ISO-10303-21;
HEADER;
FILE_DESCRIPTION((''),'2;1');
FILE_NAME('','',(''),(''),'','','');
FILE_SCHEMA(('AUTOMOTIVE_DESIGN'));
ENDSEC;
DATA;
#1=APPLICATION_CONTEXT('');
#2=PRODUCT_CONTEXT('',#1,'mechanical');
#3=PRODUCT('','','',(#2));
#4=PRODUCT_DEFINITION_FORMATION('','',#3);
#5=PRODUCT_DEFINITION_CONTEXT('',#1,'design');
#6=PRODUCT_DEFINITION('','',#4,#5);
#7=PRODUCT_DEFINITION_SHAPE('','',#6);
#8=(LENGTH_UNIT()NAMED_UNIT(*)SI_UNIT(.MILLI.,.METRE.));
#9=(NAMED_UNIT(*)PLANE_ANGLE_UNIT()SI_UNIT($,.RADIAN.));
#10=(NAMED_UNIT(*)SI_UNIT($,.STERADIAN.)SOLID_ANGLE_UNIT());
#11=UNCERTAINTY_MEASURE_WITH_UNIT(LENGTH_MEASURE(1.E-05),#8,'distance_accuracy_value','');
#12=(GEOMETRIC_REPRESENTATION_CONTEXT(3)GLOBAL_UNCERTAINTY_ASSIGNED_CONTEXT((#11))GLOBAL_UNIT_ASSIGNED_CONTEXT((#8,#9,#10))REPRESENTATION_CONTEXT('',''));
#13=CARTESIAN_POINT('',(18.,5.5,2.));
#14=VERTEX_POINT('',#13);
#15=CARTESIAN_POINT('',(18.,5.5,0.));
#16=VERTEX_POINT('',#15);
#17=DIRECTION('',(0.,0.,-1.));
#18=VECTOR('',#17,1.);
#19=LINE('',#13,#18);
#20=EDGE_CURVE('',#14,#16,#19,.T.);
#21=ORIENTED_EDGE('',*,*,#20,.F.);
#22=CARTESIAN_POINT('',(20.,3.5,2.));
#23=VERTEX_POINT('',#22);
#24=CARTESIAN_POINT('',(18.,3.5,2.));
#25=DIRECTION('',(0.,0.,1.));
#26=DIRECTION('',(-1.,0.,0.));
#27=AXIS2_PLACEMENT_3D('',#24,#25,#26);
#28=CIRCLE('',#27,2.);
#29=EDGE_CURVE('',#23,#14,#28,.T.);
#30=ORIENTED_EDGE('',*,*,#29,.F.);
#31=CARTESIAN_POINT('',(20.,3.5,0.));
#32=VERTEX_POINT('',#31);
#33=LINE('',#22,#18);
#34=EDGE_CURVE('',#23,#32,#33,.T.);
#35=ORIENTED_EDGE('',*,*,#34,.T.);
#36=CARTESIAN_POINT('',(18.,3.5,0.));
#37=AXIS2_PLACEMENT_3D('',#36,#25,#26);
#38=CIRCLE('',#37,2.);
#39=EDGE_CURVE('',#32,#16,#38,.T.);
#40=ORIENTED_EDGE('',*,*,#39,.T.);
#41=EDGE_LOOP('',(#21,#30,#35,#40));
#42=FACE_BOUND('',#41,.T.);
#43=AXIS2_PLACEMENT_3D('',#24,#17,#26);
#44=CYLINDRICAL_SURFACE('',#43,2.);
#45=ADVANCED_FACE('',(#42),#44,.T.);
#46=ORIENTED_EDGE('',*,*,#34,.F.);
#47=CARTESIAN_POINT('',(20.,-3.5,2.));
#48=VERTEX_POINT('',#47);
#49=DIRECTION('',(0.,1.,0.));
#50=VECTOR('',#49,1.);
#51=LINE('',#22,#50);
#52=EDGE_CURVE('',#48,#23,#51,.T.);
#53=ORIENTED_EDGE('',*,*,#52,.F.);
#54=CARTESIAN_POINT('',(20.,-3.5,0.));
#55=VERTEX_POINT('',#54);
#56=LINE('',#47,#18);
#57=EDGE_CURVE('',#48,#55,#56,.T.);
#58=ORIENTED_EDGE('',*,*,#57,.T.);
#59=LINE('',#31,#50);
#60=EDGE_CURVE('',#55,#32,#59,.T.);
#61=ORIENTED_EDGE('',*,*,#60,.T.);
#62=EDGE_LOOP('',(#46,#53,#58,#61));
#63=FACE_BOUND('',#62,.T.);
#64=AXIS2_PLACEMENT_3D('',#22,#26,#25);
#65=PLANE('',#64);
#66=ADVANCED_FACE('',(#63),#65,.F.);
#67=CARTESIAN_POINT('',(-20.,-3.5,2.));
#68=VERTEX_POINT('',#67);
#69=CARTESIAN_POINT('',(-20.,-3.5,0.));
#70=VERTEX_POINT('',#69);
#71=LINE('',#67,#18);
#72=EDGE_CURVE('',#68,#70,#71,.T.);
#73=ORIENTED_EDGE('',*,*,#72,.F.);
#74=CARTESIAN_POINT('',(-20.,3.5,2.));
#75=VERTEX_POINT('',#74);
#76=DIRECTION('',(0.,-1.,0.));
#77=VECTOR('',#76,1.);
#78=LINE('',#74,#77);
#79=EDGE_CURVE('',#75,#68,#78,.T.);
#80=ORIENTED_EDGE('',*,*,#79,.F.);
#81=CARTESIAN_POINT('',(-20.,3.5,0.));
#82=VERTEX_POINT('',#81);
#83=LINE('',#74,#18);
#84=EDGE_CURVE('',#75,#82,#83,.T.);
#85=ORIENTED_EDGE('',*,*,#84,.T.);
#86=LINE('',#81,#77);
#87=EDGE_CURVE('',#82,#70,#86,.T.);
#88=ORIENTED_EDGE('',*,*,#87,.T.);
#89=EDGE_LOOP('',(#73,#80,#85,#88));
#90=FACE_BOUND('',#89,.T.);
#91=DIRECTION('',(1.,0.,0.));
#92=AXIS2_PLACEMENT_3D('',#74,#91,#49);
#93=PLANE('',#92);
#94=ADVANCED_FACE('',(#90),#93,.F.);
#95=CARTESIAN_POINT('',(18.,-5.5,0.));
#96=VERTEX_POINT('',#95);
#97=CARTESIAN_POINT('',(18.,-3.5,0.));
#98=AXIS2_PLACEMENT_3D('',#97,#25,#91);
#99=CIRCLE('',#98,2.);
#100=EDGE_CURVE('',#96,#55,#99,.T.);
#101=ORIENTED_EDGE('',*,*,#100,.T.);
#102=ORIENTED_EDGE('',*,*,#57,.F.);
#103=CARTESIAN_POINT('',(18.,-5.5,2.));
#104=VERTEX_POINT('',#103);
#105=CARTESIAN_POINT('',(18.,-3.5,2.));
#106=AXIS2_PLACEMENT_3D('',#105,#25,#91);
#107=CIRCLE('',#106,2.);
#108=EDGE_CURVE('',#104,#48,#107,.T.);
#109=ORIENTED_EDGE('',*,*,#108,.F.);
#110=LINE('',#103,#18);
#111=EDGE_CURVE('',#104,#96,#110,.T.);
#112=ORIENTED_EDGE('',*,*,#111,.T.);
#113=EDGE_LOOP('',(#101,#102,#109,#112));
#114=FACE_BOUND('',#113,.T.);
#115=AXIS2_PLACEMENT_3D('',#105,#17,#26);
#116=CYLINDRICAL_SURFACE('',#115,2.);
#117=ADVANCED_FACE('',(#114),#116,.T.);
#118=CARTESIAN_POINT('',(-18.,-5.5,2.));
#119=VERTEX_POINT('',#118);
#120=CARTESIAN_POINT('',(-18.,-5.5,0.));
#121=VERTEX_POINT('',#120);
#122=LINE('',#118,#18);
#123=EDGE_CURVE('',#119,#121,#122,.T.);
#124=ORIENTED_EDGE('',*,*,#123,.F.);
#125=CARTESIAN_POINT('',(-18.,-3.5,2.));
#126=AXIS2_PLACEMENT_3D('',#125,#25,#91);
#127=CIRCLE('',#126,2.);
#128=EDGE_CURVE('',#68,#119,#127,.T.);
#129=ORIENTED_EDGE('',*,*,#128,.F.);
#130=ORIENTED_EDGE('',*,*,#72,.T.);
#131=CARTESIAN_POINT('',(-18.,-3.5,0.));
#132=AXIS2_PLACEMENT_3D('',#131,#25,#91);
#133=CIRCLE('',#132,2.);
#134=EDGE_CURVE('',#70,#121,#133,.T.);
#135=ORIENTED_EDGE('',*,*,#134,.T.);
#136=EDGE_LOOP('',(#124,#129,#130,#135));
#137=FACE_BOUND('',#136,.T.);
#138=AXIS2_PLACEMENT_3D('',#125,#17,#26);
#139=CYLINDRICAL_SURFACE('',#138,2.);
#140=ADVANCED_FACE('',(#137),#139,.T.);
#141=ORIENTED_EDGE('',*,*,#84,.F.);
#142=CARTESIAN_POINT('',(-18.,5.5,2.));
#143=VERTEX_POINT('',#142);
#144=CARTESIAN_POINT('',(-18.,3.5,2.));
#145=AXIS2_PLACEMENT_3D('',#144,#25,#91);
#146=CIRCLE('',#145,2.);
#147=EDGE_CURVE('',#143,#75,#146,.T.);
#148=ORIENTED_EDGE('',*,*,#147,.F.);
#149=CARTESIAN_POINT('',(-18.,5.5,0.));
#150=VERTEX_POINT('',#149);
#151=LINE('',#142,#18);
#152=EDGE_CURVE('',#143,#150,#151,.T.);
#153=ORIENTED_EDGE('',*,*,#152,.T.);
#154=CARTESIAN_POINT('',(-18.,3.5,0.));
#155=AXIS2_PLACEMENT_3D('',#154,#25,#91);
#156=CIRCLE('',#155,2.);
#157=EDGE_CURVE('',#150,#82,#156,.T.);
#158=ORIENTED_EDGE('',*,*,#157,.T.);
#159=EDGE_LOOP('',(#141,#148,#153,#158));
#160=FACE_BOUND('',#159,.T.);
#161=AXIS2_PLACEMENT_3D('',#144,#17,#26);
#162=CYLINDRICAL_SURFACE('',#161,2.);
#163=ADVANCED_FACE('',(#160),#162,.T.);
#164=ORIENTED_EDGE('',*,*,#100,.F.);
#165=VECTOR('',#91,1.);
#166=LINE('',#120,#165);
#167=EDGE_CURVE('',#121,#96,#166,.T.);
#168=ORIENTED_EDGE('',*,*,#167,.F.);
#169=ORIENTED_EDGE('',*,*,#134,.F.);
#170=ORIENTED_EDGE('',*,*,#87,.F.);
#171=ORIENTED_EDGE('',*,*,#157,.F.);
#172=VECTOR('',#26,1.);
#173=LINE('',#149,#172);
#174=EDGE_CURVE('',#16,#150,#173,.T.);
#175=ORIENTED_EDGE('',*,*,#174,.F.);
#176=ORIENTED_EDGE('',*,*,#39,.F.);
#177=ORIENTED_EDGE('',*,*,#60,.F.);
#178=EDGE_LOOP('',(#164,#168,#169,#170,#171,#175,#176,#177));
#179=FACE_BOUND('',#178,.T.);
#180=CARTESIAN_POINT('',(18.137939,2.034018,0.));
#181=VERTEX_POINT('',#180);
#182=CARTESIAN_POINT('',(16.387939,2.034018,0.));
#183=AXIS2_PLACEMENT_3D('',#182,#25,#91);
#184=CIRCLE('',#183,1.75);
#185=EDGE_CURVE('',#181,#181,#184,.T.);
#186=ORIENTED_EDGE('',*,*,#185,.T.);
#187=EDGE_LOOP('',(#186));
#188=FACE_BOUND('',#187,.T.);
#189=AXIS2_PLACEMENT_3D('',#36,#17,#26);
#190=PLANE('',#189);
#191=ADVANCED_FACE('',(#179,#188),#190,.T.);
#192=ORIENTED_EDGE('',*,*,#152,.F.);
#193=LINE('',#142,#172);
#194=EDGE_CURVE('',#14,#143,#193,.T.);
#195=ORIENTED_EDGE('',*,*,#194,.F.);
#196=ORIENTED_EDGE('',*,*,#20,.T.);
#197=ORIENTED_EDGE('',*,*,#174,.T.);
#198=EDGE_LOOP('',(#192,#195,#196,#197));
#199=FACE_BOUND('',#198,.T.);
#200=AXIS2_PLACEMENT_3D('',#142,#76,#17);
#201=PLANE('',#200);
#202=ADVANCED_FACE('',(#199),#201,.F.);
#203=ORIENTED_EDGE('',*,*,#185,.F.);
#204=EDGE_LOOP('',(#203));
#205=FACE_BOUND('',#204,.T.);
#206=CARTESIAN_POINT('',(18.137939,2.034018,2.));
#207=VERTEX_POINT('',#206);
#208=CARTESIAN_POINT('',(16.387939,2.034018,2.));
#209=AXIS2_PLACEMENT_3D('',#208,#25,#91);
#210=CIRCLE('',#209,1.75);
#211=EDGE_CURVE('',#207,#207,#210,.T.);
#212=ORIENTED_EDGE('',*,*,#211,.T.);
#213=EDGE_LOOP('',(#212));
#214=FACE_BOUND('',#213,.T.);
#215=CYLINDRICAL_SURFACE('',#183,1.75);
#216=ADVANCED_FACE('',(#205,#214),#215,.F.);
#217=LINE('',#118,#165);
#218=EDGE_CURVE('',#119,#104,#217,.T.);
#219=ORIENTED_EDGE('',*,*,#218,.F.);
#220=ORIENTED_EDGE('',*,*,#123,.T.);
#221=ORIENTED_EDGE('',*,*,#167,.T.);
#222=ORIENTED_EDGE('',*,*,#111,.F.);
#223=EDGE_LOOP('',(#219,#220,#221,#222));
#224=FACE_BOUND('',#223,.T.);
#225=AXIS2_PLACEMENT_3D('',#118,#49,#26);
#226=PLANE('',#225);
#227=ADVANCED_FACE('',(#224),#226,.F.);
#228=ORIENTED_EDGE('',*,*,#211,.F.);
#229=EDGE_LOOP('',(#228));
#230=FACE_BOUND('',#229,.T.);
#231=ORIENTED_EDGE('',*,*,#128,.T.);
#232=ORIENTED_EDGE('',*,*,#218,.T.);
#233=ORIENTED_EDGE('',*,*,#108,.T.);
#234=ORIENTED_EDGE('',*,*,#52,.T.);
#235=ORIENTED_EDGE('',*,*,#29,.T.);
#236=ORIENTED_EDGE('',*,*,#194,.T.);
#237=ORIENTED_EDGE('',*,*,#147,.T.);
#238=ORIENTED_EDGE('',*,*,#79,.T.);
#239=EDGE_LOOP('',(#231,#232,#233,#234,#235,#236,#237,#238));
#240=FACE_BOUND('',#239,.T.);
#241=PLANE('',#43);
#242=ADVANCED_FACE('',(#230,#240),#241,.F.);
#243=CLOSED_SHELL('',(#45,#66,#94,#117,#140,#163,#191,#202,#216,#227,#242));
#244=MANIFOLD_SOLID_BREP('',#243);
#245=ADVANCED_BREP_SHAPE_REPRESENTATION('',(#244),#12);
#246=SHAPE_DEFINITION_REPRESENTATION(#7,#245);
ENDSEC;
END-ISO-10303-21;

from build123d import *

# Parameters (mm, degrees)
BOSS_EXTRUDE2_DEPTH = 2
SKETCH3_R           = 1.75
CUT_EXTRUDE1_DEPTH  = 21.838665984


with BuildPart() as part:
    # Sketch2 → Boss-Extrude2 (new body)
    with BuildSketch(Plane.XY):
        with BuildLine():
            Line((-18, 5.5), (18, 5.5))
            ThreePointArc((18, 5.5), (19.414213562, 4.914213562), (20, 3.5))
            Line((20, 3.5), (20, -3.5))
            ThreePointArc((20, -3.5), (19.414213562, -4.914213562), (18, -5.5))
            Line((18, -5.5), (-18, -5.5))
            ThreePointArc((-18, -5.5), (-19.414213562, -4.914213562), (-20, -3.5))
            Line((-20, -3.5), (-20, 3.5))
            ThreePointArc((-20, 3.5), (-19.414213562, 4.914213562), (-18, 5.5))
        make_face()
    extrude(amount=BOSS_EXTRUDE2_DEPTH)

    # Sketch3 → Cut-Extrude1 (cut, through all)
    with BuildSketch(Plane.XY.offset(2)):
        with Locations((16.387938716, 2.034017624)):
            Circle(SKETCH3_R)
    extrude(amount=-CUT_EXTRUDE1_DEPTH, mode=Mode.SUBTRACT)


solid = part.part
